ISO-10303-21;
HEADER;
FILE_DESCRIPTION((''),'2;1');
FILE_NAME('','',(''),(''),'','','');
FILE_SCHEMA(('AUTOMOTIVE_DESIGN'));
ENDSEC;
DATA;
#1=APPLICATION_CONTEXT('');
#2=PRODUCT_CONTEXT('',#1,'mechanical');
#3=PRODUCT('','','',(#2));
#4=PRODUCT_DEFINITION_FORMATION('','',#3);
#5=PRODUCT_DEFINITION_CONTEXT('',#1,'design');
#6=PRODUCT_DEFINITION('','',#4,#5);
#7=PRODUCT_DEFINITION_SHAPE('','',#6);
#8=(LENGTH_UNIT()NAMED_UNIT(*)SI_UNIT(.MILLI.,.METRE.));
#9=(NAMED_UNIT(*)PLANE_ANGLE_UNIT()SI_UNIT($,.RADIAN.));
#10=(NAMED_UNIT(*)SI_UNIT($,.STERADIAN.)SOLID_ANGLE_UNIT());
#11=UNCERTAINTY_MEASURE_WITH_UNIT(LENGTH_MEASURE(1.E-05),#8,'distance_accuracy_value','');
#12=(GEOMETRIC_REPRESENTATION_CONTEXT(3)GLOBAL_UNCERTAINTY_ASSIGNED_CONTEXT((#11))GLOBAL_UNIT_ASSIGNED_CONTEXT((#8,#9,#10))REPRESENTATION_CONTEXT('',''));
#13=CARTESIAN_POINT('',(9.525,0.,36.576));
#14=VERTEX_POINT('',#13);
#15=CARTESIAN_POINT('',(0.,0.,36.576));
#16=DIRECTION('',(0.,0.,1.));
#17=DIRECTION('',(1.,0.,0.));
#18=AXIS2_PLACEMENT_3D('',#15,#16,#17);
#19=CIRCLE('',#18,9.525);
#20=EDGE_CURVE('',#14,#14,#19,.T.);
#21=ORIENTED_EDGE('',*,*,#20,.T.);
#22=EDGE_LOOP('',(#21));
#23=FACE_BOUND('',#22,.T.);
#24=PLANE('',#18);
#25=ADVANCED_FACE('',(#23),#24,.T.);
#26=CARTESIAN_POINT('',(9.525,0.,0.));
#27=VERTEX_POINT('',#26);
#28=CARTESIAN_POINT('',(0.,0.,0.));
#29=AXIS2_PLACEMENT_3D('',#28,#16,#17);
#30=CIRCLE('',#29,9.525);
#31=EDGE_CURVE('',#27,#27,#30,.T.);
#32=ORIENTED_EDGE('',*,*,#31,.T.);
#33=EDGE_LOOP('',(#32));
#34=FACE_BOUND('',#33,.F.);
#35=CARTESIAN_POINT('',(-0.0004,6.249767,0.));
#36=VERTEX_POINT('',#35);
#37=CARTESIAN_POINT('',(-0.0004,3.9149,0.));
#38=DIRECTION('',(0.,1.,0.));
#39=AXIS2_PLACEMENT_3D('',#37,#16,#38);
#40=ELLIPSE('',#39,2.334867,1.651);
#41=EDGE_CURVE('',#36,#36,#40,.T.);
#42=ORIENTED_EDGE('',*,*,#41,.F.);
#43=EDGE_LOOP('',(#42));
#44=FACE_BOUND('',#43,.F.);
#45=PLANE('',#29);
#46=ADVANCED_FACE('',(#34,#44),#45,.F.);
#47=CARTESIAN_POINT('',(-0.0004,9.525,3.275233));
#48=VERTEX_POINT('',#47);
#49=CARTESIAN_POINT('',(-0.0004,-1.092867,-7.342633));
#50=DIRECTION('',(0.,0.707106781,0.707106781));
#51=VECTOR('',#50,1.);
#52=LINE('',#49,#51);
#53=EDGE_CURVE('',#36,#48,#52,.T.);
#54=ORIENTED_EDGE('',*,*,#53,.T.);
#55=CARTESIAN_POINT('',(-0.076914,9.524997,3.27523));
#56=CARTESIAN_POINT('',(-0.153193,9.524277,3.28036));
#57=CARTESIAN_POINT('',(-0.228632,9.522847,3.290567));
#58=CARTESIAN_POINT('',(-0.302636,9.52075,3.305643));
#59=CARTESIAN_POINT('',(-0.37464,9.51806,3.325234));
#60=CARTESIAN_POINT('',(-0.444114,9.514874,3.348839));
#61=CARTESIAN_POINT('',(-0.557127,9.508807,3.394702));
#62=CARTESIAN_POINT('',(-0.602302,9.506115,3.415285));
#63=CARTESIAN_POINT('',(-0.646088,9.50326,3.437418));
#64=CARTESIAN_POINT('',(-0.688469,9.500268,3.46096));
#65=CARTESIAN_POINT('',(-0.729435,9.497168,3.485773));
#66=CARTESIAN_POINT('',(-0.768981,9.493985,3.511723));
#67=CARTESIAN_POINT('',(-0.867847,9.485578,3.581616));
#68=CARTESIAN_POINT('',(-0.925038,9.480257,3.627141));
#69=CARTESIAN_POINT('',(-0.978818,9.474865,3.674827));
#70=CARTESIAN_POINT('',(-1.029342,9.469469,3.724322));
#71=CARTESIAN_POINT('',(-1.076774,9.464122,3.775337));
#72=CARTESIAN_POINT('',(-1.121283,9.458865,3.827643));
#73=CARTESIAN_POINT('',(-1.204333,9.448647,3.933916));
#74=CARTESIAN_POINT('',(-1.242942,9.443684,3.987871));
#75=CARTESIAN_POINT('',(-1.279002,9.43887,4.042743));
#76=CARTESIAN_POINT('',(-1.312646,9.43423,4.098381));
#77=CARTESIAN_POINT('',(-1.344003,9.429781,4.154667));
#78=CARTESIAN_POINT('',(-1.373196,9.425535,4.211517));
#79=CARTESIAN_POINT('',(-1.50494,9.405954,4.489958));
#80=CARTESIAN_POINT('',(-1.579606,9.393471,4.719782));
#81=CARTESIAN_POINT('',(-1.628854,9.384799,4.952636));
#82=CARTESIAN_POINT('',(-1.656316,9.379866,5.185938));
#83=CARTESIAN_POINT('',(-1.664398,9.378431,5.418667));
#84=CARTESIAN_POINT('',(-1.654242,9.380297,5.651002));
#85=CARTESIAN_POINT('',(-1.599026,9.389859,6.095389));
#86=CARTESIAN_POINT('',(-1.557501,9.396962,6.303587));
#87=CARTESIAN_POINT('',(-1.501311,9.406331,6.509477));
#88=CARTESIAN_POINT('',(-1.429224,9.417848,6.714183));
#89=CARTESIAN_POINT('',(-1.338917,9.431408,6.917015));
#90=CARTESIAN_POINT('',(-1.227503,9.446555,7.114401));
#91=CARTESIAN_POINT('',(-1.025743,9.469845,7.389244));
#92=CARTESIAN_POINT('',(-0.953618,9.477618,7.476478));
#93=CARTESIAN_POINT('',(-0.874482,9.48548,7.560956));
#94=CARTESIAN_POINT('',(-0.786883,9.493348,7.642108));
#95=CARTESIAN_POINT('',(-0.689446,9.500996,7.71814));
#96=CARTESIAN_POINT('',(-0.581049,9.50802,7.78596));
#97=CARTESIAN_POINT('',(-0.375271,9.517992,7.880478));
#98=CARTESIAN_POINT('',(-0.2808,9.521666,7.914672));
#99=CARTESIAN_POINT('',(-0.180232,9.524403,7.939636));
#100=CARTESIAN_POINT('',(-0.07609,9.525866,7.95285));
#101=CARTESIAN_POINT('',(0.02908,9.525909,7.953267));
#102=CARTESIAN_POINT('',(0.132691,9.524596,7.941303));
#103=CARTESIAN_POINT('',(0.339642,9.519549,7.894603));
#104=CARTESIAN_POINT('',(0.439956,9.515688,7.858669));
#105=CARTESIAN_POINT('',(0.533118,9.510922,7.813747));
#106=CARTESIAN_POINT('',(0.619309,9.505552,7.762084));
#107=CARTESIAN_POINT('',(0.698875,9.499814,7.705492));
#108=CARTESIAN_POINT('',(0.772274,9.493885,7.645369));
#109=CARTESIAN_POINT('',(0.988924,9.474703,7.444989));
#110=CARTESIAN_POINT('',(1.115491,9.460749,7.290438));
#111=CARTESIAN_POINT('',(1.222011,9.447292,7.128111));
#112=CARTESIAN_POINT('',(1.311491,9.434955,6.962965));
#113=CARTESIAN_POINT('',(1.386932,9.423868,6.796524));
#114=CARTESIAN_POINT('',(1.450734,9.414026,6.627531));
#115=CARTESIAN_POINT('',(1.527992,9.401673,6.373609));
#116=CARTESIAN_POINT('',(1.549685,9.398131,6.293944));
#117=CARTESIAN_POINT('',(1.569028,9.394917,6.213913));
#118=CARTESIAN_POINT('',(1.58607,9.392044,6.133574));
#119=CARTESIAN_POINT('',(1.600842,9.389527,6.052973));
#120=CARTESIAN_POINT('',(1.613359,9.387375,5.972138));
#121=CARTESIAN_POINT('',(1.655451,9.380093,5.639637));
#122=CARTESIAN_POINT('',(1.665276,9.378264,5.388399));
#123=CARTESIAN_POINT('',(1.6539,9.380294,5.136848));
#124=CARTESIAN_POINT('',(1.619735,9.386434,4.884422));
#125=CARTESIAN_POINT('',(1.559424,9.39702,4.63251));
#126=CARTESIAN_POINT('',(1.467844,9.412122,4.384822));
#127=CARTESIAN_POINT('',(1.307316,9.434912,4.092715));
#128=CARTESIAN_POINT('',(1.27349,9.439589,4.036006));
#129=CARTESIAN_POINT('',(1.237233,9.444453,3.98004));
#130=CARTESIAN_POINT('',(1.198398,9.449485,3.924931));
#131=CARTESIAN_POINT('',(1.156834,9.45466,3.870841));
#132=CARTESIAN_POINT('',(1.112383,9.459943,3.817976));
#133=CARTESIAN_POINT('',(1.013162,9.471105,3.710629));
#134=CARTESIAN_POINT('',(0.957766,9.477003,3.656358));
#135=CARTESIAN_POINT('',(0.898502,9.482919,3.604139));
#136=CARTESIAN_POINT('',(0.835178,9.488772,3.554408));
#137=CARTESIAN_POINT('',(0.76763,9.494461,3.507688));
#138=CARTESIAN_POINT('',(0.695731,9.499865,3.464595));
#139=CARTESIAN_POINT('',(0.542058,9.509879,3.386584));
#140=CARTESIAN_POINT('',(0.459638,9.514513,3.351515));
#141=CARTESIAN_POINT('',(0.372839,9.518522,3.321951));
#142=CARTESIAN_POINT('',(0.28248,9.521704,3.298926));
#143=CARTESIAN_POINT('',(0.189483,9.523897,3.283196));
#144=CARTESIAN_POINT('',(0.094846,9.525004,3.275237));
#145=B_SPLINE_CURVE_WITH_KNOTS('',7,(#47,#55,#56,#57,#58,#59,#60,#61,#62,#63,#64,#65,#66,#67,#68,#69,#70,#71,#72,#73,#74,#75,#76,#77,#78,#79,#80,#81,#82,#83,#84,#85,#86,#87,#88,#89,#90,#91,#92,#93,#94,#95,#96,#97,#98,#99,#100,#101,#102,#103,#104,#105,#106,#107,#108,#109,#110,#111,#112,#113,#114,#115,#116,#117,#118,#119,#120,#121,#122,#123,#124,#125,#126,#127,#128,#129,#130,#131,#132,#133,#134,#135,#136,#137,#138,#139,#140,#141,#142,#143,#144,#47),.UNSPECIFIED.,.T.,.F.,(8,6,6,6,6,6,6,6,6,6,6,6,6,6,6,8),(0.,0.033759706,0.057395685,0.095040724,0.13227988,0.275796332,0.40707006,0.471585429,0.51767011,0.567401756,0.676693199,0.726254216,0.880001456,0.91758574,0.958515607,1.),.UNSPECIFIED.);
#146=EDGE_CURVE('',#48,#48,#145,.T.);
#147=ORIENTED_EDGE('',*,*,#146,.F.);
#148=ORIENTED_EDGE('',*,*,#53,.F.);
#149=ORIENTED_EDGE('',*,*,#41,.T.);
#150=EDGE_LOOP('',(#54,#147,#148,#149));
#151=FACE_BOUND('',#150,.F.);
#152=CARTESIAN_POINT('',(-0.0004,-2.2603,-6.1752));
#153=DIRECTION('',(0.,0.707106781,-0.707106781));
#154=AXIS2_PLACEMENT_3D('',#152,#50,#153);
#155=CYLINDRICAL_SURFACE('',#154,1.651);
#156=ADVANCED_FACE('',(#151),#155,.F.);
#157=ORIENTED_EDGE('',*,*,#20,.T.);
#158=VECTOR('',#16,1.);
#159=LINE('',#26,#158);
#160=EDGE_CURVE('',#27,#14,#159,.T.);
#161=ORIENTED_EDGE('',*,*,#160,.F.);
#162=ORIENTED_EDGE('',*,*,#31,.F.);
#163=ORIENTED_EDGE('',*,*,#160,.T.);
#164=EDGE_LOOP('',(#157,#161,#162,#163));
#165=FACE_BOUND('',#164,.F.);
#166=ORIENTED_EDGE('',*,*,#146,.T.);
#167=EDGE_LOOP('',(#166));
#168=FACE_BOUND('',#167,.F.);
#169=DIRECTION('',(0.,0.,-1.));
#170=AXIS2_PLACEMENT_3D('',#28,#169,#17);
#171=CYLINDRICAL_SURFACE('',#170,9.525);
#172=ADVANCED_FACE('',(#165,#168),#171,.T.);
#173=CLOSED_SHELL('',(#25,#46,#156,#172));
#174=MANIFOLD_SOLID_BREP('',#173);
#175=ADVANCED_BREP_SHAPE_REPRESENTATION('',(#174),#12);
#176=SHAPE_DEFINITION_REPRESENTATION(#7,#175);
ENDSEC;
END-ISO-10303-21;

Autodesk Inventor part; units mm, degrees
ref_plane "YZ Plane" through (0, 0, 0) normal (1, 0, 0) x (0, 1, 0)
ref_plane "XY Plane" through (0, 0, 0) normal (0, 0, 1) x (1, 0, 0)
sketch "Sketch1" plane through (0, 0, 0) normal (0, 0, 1) x (1, 0, 0)
  circle A0 centre (0, 0) radius 9.525
  dimension "d0" = 19.05
extrude "Extrusion1" add sketch "Sketch1" along normal blind 36.576
ref_plane "Work Plane2" through (0, 15.875, 0) normal (0, 1, 0) x (-1, 0, 0)
sketch "Sketch4" plane through (0, 15.875, 0) normal (0, 1, 0) x (-1, 0, 0)
  circle A0 centre (0, 7.62) radius 1.4605
  point P0 (0, 0)
  dimension "d6" = 2.921
  dimension "d7" = 7.62
sketch "Sketch5" plane through (0, 0, 0) normal (0, 0, -1) x (-1, 0, 0)
  circle A0 centre (0, 0) radius 9.525 projected
  circle A1 centre (0, 1.905) radius 1.4605
  line L0 (0, 9.525) -> (14.2875, 9.525)
  dimension "d8" = 2.921
  dimension "d9" = 7.62
ref_plane "Work Plane3" through (0, 9.525, 0) normal (0, 0.7071, 0.7071) x (-1, 0, 0)
sketch "Sketch6" plane through (0, 9.525, 0) normal (0, 0.7071, 0.7071) x (-1, 0, 0)
  circle A0 centre (0, 3.9683) radius 1.5875
  point P0 (0, 6.7352)
  dimension "d11" = 3.175
extrude "Extrusion2" add sketch "Sketch6" along normal mid plane 25.4
sketch "Sketch7" plane through (0, -2.2613, -6.1742) normal (0, -0.7071, -0.7071) x (-1, 0, 0)
  circle A0 centre (0, 0) radius 1.5875 projected
  circle A1 centre (0, 0) radius 1.5875 projected
  point P0 (0, -2.7669)
hole "Hole1" at (-0.0004, -2.2603, -6.1752) direction (0, 0.7071, 0.7071) diameter 3.302 depth 25.4 tip angle 118
properties part number "Stainless Steel"
